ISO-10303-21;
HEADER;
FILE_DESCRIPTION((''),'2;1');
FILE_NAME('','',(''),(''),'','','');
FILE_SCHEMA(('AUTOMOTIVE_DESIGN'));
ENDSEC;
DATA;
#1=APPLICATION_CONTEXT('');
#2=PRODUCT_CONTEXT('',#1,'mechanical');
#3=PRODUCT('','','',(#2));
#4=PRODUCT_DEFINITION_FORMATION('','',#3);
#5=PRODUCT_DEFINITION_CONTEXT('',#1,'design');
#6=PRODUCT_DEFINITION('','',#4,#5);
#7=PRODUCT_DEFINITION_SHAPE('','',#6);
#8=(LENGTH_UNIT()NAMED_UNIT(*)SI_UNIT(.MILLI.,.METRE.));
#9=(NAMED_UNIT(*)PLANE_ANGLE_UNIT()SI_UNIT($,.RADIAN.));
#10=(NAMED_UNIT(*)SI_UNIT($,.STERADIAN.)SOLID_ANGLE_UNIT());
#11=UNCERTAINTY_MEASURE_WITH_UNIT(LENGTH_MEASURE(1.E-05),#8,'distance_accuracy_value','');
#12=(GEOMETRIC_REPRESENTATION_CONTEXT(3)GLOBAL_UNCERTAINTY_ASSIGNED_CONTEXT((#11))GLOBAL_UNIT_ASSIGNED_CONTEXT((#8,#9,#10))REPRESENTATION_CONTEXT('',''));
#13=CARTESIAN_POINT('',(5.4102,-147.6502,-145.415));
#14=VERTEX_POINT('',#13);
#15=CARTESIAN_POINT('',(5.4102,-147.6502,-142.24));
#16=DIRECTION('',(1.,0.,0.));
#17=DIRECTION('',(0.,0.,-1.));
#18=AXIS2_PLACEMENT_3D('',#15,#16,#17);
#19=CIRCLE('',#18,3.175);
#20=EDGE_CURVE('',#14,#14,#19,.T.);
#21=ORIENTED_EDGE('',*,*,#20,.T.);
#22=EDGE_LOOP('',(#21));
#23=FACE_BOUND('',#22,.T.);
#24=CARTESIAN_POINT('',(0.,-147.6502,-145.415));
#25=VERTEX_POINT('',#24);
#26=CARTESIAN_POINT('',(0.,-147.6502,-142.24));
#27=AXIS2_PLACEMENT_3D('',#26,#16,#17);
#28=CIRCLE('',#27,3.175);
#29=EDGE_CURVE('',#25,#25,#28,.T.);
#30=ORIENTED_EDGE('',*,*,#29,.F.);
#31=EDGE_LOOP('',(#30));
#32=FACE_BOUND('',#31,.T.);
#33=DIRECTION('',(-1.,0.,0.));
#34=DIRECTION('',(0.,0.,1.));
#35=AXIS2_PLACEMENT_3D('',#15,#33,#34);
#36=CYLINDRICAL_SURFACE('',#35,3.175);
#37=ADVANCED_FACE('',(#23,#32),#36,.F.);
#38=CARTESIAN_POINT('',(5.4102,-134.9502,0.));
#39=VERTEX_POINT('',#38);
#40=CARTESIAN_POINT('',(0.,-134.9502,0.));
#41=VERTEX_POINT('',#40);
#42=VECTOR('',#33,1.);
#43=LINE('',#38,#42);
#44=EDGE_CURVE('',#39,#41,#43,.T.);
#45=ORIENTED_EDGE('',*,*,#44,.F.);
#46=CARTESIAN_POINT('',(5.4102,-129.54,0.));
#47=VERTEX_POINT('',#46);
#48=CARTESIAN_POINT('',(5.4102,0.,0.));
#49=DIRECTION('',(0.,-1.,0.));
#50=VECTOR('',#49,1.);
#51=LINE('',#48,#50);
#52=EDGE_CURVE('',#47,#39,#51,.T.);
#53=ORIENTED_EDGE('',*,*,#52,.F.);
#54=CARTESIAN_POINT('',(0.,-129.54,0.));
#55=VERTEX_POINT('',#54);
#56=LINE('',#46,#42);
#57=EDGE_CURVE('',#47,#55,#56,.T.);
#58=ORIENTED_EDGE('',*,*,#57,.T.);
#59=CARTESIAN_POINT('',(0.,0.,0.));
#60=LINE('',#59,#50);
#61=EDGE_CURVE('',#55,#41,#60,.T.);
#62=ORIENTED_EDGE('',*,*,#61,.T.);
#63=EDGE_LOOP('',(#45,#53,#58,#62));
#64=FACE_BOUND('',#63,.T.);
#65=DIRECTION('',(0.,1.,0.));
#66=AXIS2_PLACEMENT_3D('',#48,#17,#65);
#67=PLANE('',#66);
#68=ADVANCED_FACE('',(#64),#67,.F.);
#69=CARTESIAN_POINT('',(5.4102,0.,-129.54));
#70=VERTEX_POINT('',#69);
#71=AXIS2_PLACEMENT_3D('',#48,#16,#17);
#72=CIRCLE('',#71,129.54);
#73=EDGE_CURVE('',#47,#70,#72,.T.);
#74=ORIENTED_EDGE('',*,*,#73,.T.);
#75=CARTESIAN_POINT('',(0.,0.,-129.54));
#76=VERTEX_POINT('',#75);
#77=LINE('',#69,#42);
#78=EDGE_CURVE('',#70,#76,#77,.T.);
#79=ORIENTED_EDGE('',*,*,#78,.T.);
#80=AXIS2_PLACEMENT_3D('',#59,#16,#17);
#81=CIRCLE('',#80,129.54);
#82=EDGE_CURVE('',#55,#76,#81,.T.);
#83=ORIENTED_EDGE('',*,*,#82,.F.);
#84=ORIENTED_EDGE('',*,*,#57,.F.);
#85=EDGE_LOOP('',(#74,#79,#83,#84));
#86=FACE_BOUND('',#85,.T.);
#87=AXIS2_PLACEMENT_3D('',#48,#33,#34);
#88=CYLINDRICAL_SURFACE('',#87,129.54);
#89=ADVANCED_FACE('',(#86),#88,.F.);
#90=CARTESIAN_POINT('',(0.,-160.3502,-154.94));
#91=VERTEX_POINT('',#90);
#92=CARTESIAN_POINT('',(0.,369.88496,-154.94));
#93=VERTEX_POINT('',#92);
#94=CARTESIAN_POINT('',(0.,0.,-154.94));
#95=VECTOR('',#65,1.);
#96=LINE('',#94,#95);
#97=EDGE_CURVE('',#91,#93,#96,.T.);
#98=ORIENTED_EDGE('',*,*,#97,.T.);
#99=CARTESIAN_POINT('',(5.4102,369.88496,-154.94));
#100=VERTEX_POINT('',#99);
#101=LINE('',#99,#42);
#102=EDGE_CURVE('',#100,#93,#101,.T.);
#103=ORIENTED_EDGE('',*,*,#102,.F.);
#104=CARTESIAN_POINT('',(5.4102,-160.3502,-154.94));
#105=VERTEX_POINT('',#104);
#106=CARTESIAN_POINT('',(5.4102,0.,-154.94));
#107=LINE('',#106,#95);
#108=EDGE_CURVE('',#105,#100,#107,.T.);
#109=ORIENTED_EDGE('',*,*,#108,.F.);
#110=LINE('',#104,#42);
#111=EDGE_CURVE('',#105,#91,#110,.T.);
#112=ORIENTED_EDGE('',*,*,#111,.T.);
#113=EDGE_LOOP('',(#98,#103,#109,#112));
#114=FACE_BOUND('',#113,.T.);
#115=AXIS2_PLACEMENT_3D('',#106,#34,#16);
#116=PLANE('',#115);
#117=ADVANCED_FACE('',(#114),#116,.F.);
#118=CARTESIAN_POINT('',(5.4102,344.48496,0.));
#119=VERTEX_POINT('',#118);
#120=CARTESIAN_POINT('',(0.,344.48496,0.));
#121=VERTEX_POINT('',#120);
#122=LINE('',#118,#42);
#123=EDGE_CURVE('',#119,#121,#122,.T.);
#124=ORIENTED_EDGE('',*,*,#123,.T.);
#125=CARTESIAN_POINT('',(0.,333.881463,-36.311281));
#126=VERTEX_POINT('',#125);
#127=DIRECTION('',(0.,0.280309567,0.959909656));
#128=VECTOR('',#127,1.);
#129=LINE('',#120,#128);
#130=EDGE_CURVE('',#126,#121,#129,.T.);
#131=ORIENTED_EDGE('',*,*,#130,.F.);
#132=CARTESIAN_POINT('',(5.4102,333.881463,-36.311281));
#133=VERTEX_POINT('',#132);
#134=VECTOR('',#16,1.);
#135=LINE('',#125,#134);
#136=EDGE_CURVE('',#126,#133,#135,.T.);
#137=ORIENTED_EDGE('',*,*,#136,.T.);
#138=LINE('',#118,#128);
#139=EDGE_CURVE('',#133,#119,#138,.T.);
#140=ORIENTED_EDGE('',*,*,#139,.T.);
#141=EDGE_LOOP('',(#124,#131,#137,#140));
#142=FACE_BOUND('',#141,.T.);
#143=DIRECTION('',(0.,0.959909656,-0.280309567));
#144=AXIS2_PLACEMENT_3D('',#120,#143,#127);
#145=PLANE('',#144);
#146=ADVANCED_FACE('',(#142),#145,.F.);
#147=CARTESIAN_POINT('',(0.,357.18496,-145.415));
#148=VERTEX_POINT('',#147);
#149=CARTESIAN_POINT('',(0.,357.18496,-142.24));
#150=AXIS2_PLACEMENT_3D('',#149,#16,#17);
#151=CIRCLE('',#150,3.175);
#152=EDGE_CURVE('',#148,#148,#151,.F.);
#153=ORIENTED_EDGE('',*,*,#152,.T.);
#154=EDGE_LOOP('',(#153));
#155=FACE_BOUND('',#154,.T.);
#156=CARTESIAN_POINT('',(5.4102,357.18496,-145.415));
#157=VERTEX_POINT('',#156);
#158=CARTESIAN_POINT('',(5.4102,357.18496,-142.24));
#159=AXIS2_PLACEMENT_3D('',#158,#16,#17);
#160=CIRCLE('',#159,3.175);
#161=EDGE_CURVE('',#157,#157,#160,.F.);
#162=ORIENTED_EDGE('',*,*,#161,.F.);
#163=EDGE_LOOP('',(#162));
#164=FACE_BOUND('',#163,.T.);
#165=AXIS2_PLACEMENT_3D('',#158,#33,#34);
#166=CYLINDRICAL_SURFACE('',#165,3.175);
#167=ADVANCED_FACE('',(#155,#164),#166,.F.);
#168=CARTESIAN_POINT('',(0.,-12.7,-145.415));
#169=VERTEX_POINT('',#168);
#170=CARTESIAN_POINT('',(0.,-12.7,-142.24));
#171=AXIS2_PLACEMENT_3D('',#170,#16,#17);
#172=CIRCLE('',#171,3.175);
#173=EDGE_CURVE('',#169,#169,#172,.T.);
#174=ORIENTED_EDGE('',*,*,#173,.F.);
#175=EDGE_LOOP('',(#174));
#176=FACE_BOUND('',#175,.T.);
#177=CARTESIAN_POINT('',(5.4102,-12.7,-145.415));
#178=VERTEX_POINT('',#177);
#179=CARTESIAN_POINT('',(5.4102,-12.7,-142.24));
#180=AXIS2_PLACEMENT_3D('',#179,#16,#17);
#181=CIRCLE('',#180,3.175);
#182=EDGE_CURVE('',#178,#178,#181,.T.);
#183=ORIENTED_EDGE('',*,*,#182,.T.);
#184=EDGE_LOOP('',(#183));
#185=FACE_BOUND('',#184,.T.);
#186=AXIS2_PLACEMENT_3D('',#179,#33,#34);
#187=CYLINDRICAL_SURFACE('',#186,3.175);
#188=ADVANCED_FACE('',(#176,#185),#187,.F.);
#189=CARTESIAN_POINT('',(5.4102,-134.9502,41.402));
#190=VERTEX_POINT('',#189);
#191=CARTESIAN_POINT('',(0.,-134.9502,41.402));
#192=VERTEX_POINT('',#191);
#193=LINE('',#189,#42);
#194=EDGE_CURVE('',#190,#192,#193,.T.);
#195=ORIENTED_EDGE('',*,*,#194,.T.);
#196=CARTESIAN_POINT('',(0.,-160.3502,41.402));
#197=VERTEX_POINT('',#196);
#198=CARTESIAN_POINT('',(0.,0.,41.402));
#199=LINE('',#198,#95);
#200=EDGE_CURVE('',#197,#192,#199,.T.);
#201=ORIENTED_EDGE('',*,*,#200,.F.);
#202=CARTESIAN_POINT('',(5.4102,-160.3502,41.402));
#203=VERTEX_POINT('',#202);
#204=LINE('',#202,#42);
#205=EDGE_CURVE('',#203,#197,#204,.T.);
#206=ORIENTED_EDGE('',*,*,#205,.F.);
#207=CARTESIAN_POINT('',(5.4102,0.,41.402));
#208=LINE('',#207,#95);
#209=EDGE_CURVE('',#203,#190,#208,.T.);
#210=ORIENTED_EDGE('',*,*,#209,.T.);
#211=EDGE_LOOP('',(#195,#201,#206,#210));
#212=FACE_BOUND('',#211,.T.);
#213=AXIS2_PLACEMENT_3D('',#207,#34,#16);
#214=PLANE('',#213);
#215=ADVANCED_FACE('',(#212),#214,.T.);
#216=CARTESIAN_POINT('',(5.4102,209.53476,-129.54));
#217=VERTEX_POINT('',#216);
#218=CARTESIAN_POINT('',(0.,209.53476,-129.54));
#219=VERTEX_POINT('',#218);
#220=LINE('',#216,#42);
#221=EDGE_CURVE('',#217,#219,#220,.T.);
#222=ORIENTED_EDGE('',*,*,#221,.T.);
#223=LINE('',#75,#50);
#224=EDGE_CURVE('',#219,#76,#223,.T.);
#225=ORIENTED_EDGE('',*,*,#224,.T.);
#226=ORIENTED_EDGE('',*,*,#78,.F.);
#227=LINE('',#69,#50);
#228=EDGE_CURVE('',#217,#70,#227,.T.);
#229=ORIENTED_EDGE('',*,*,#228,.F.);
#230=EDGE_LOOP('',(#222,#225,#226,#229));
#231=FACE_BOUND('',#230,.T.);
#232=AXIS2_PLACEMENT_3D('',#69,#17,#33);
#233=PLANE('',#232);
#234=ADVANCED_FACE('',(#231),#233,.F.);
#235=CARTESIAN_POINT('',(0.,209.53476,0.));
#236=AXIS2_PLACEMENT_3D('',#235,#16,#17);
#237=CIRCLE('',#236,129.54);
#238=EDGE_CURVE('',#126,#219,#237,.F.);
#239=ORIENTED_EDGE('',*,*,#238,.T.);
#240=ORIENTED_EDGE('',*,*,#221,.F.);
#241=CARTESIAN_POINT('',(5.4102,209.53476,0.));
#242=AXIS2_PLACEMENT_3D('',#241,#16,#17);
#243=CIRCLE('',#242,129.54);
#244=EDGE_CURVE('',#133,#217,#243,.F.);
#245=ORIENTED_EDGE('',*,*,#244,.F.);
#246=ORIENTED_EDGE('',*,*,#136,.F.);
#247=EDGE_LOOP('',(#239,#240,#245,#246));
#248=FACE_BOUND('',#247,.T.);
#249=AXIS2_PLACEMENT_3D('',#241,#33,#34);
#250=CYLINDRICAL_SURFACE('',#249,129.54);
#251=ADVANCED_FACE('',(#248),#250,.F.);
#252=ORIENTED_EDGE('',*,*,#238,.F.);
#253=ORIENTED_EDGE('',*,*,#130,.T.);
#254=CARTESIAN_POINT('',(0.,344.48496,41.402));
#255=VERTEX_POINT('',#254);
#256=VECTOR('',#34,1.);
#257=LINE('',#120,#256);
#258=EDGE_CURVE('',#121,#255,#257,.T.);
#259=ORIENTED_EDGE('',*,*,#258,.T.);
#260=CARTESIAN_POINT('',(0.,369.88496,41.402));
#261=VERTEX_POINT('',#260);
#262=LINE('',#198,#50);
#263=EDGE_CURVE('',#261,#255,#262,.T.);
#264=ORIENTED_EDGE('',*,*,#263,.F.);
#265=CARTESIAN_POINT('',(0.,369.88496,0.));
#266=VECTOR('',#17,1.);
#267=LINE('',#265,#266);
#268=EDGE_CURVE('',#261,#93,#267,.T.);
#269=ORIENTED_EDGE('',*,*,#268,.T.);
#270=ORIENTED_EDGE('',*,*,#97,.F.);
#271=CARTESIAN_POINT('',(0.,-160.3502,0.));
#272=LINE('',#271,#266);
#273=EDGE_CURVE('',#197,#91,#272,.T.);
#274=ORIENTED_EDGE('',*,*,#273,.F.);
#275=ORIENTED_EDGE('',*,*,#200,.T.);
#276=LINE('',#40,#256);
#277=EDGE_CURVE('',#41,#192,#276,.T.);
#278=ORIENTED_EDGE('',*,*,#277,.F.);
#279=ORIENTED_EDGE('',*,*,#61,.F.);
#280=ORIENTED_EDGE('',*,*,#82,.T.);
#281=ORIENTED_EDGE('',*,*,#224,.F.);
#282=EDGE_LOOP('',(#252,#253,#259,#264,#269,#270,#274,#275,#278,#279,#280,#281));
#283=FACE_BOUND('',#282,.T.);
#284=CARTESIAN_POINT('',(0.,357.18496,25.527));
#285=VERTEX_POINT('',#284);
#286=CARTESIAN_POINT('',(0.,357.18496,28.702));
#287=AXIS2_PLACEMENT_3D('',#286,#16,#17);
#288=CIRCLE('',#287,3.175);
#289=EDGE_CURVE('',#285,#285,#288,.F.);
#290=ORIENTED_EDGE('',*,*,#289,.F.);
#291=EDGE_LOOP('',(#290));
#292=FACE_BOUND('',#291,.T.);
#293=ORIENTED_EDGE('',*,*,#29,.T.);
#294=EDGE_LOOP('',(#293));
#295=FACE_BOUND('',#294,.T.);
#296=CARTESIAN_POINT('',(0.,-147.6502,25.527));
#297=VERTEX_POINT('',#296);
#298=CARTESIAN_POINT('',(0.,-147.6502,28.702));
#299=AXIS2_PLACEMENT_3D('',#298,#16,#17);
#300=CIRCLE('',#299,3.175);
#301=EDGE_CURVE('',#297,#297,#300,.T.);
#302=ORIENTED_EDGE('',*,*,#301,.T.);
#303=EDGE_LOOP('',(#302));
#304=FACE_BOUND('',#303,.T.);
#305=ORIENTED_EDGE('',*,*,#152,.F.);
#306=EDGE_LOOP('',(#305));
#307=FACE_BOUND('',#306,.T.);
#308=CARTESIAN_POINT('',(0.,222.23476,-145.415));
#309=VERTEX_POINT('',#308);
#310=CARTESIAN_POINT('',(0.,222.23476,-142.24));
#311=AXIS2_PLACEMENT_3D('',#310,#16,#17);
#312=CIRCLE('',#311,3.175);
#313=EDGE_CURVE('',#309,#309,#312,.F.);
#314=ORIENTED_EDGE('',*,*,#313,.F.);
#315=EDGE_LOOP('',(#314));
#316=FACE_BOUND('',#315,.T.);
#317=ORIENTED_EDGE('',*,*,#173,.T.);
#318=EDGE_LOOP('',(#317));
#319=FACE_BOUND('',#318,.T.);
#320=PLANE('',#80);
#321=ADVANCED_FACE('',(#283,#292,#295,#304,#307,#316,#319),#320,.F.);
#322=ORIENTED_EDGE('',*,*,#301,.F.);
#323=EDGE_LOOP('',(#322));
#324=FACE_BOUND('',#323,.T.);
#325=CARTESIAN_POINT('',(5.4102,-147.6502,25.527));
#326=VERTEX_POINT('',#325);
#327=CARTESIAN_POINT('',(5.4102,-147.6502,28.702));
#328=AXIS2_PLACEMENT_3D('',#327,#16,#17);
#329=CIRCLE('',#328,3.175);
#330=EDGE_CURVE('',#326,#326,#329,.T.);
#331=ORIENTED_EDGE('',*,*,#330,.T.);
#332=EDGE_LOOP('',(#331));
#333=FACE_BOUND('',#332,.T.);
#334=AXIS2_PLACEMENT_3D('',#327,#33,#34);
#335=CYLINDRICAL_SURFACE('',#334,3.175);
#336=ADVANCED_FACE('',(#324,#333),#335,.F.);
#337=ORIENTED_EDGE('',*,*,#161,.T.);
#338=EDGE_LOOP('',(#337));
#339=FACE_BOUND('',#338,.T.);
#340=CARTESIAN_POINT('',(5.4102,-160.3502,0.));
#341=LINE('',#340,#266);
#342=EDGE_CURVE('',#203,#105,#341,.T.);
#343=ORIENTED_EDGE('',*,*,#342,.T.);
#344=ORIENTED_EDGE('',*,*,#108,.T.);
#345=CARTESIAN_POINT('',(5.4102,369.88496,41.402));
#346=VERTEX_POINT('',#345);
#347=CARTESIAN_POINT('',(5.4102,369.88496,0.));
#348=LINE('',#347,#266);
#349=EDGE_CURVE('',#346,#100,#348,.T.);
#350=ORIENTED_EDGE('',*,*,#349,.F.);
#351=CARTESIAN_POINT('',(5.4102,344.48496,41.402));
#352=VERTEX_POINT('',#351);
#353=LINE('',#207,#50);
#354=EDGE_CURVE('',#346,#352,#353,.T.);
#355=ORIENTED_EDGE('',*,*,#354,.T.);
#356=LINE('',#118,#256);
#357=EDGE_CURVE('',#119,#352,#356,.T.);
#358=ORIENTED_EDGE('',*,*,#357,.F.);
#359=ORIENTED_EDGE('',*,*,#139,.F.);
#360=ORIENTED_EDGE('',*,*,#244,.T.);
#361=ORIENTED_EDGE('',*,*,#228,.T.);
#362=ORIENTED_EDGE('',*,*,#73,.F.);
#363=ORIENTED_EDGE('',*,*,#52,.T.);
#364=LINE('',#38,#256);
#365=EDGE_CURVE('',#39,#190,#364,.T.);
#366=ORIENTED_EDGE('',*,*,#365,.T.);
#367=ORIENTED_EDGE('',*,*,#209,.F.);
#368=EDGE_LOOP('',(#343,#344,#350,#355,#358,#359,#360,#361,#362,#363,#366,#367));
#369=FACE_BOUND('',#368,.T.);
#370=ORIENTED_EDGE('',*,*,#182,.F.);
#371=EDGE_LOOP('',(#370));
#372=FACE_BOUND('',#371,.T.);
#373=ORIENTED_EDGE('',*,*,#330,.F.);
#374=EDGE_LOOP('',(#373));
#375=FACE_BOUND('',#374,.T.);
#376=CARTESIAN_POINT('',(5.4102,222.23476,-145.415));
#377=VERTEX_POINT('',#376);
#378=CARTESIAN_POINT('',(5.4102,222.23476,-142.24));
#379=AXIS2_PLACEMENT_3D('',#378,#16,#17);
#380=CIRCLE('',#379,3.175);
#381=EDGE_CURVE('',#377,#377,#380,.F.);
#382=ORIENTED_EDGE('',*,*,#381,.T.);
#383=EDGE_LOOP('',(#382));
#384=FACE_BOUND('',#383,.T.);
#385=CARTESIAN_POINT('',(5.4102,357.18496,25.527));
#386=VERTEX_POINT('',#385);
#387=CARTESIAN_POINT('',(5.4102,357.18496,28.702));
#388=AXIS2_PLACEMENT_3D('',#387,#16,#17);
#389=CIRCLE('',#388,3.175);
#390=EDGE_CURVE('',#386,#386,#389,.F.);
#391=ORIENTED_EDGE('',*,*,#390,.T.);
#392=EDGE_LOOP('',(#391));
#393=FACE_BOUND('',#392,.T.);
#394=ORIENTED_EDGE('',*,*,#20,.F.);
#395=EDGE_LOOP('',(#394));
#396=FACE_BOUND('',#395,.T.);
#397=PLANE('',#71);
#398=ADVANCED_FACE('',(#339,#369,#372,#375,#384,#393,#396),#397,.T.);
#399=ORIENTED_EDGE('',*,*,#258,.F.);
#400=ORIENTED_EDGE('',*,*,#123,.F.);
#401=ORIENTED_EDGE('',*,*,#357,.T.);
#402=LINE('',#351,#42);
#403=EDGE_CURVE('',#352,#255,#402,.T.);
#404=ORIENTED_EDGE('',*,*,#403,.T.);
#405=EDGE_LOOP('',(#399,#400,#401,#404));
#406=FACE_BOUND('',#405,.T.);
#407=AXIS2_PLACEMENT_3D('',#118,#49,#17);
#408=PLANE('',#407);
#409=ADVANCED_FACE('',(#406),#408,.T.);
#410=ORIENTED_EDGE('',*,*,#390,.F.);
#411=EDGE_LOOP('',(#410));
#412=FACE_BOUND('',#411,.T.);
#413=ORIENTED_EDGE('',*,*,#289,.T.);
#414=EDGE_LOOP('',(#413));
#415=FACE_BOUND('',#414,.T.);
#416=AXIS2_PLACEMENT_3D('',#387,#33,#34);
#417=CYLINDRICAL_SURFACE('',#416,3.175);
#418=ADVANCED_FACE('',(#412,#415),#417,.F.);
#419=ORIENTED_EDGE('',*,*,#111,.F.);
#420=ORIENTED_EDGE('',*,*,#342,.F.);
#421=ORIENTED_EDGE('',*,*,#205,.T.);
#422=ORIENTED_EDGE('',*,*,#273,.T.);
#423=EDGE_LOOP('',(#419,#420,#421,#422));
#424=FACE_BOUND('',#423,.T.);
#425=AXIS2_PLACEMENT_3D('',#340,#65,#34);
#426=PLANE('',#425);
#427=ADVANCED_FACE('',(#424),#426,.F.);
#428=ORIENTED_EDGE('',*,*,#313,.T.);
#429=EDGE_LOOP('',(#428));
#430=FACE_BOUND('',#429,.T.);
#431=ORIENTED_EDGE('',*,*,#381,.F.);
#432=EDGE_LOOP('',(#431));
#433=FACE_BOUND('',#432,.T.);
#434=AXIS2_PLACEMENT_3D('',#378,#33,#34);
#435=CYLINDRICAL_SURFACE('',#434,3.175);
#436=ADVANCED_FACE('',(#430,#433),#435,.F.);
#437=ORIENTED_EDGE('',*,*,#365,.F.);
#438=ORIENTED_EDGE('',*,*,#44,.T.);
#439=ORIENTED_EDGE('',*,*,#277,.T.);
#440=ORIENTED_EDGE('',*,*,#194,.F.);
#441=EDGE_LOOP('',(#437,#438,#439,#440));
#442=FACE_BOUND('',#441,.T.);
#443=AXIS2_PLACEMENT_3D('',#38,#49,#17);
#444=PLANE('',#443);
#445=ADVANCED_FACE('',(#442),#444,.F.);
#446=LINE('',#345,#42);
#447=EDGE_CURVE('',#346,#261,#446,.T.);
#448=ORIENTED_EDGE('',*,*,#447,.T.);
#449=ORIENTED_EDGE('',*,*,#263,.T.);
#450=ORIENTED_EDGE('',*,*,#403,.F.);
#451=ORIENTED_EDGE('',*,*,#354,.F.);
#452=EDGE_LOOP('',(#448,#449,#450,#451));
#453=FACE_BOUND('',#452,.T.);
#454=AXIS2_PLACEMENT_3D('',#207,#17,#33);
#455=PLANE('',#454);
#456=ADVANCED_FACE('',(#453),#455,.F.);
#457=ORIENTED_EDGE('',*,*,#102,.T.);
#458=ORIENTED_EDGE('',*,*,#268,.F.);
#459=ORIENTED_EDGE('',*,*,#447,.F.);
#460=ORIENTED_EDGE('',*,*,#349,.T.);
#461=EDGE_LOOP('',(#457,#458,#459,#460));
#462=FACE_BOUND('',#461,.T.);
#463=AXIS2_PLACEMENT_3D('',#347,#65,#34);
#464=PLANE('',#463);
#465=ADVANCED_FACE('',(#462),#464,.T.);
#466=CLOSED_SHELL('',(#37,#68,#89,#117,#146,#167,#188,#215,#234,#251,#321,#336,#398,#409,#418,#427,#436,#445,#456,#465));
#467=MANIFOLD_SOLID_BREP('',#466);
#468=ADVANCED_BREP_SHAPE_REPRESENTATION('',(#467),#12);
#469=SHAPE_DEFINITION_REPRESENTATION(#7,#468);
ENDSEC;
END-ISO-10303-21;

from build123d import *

# Parameters (mm, degrees)
SKETCH1_R           = 3.175
BOSS_EXTRUDE3_DEPTH = 5.4102
CUT_EXTRUDE1_DEPTH  = 5.4102


with BuildPart() as part:
    # Sketch1 → Boss-Extrude3 (new body)
    with BuildSketch(Plane(origin=(0, 0, 0), x_dir=(0, 0, -1), z_dir=(1, 0, 0))):
        with BuildLine():
            ThreePointArc((129.54, 0), (124.431830765, -36.01848265), (109.510185389, -69.196321406))
            ThreePointArc((109.510185389, -69.196321406), (62.517678, -113.455504659), (0, -129.54))
            Line((0, -129.54), (0, -134.9502))
            Line((0, -134.9502), (-41.402, -134.9502))
            Line((-41.402, -134.9502), (-41.402, -160.3502))
            Line((-41.402, -160.3502), (154.94, -160.3502))
            Line((154.94, -160.3502), (154.94, 369.88496))
            Line((154.94, 369.88496), (-41.402, 369.88496))
            Line((-41.402, 369.88496), (-41.402, 344.48496))
            Line((-41.402, 344.48496), (0, 344.48496))
            Line((0, 344.48496), (0, 339.07476))
            ThreePointArc((0, 339.07476), (62.517678, 322.990264659), (109.510185389, 278.731081406))
            ThreePointArc((109.510185389, 278.731081406), (124.431830765, 245.55324265), (129.54, 209.53476))
            Line((129.54, 209.53476), (129.54, 0))
        make_face()
        with Locations((-28.702, -147.6502)):
            Circle(SKETCH1_R, mode=Mode.SUBTRACT)
        with Locations((142.24, -147.6502)):
            Circle(SKETCH1_R, mode=Mode.SUBTRACT)
        with Locations((142.24, -12.7)):
            Circle(SKETCH1_R, mode=Mode.SUBTRACT)
        with Locations((-28.702, 357.18496)):
            Circle(SKETCH1_R, mode=Mode.SUBTRACT)
        with Locations((142.24, 222.23476)):
            Circle(SKETCH1_R, mode=Mode.SUBTRACT)
        with Locations((142.24, 357.18496)):
            Circle(SKETCH1_R, mode=Mode.SUBTRACT)
    extrude(amount=BOSS_EXTRUDE3_DEPTH)

    # Sketch2 → Cut-Extrude1 (cut)
    with BuildSketch(Plane(origin=(5.4102, 0, 0), x_dir=(0, 0, -1), z_dir=(1, 0, 0))):
        Polygon((0, 344.48496), (36.311280568, 333.881462825), (0, 339.07476), align=None)
    extrude(amount=-CUT_EXTRUDE1_DEPTH, mode=Mode.SUBTRACT)


solid = part.part
